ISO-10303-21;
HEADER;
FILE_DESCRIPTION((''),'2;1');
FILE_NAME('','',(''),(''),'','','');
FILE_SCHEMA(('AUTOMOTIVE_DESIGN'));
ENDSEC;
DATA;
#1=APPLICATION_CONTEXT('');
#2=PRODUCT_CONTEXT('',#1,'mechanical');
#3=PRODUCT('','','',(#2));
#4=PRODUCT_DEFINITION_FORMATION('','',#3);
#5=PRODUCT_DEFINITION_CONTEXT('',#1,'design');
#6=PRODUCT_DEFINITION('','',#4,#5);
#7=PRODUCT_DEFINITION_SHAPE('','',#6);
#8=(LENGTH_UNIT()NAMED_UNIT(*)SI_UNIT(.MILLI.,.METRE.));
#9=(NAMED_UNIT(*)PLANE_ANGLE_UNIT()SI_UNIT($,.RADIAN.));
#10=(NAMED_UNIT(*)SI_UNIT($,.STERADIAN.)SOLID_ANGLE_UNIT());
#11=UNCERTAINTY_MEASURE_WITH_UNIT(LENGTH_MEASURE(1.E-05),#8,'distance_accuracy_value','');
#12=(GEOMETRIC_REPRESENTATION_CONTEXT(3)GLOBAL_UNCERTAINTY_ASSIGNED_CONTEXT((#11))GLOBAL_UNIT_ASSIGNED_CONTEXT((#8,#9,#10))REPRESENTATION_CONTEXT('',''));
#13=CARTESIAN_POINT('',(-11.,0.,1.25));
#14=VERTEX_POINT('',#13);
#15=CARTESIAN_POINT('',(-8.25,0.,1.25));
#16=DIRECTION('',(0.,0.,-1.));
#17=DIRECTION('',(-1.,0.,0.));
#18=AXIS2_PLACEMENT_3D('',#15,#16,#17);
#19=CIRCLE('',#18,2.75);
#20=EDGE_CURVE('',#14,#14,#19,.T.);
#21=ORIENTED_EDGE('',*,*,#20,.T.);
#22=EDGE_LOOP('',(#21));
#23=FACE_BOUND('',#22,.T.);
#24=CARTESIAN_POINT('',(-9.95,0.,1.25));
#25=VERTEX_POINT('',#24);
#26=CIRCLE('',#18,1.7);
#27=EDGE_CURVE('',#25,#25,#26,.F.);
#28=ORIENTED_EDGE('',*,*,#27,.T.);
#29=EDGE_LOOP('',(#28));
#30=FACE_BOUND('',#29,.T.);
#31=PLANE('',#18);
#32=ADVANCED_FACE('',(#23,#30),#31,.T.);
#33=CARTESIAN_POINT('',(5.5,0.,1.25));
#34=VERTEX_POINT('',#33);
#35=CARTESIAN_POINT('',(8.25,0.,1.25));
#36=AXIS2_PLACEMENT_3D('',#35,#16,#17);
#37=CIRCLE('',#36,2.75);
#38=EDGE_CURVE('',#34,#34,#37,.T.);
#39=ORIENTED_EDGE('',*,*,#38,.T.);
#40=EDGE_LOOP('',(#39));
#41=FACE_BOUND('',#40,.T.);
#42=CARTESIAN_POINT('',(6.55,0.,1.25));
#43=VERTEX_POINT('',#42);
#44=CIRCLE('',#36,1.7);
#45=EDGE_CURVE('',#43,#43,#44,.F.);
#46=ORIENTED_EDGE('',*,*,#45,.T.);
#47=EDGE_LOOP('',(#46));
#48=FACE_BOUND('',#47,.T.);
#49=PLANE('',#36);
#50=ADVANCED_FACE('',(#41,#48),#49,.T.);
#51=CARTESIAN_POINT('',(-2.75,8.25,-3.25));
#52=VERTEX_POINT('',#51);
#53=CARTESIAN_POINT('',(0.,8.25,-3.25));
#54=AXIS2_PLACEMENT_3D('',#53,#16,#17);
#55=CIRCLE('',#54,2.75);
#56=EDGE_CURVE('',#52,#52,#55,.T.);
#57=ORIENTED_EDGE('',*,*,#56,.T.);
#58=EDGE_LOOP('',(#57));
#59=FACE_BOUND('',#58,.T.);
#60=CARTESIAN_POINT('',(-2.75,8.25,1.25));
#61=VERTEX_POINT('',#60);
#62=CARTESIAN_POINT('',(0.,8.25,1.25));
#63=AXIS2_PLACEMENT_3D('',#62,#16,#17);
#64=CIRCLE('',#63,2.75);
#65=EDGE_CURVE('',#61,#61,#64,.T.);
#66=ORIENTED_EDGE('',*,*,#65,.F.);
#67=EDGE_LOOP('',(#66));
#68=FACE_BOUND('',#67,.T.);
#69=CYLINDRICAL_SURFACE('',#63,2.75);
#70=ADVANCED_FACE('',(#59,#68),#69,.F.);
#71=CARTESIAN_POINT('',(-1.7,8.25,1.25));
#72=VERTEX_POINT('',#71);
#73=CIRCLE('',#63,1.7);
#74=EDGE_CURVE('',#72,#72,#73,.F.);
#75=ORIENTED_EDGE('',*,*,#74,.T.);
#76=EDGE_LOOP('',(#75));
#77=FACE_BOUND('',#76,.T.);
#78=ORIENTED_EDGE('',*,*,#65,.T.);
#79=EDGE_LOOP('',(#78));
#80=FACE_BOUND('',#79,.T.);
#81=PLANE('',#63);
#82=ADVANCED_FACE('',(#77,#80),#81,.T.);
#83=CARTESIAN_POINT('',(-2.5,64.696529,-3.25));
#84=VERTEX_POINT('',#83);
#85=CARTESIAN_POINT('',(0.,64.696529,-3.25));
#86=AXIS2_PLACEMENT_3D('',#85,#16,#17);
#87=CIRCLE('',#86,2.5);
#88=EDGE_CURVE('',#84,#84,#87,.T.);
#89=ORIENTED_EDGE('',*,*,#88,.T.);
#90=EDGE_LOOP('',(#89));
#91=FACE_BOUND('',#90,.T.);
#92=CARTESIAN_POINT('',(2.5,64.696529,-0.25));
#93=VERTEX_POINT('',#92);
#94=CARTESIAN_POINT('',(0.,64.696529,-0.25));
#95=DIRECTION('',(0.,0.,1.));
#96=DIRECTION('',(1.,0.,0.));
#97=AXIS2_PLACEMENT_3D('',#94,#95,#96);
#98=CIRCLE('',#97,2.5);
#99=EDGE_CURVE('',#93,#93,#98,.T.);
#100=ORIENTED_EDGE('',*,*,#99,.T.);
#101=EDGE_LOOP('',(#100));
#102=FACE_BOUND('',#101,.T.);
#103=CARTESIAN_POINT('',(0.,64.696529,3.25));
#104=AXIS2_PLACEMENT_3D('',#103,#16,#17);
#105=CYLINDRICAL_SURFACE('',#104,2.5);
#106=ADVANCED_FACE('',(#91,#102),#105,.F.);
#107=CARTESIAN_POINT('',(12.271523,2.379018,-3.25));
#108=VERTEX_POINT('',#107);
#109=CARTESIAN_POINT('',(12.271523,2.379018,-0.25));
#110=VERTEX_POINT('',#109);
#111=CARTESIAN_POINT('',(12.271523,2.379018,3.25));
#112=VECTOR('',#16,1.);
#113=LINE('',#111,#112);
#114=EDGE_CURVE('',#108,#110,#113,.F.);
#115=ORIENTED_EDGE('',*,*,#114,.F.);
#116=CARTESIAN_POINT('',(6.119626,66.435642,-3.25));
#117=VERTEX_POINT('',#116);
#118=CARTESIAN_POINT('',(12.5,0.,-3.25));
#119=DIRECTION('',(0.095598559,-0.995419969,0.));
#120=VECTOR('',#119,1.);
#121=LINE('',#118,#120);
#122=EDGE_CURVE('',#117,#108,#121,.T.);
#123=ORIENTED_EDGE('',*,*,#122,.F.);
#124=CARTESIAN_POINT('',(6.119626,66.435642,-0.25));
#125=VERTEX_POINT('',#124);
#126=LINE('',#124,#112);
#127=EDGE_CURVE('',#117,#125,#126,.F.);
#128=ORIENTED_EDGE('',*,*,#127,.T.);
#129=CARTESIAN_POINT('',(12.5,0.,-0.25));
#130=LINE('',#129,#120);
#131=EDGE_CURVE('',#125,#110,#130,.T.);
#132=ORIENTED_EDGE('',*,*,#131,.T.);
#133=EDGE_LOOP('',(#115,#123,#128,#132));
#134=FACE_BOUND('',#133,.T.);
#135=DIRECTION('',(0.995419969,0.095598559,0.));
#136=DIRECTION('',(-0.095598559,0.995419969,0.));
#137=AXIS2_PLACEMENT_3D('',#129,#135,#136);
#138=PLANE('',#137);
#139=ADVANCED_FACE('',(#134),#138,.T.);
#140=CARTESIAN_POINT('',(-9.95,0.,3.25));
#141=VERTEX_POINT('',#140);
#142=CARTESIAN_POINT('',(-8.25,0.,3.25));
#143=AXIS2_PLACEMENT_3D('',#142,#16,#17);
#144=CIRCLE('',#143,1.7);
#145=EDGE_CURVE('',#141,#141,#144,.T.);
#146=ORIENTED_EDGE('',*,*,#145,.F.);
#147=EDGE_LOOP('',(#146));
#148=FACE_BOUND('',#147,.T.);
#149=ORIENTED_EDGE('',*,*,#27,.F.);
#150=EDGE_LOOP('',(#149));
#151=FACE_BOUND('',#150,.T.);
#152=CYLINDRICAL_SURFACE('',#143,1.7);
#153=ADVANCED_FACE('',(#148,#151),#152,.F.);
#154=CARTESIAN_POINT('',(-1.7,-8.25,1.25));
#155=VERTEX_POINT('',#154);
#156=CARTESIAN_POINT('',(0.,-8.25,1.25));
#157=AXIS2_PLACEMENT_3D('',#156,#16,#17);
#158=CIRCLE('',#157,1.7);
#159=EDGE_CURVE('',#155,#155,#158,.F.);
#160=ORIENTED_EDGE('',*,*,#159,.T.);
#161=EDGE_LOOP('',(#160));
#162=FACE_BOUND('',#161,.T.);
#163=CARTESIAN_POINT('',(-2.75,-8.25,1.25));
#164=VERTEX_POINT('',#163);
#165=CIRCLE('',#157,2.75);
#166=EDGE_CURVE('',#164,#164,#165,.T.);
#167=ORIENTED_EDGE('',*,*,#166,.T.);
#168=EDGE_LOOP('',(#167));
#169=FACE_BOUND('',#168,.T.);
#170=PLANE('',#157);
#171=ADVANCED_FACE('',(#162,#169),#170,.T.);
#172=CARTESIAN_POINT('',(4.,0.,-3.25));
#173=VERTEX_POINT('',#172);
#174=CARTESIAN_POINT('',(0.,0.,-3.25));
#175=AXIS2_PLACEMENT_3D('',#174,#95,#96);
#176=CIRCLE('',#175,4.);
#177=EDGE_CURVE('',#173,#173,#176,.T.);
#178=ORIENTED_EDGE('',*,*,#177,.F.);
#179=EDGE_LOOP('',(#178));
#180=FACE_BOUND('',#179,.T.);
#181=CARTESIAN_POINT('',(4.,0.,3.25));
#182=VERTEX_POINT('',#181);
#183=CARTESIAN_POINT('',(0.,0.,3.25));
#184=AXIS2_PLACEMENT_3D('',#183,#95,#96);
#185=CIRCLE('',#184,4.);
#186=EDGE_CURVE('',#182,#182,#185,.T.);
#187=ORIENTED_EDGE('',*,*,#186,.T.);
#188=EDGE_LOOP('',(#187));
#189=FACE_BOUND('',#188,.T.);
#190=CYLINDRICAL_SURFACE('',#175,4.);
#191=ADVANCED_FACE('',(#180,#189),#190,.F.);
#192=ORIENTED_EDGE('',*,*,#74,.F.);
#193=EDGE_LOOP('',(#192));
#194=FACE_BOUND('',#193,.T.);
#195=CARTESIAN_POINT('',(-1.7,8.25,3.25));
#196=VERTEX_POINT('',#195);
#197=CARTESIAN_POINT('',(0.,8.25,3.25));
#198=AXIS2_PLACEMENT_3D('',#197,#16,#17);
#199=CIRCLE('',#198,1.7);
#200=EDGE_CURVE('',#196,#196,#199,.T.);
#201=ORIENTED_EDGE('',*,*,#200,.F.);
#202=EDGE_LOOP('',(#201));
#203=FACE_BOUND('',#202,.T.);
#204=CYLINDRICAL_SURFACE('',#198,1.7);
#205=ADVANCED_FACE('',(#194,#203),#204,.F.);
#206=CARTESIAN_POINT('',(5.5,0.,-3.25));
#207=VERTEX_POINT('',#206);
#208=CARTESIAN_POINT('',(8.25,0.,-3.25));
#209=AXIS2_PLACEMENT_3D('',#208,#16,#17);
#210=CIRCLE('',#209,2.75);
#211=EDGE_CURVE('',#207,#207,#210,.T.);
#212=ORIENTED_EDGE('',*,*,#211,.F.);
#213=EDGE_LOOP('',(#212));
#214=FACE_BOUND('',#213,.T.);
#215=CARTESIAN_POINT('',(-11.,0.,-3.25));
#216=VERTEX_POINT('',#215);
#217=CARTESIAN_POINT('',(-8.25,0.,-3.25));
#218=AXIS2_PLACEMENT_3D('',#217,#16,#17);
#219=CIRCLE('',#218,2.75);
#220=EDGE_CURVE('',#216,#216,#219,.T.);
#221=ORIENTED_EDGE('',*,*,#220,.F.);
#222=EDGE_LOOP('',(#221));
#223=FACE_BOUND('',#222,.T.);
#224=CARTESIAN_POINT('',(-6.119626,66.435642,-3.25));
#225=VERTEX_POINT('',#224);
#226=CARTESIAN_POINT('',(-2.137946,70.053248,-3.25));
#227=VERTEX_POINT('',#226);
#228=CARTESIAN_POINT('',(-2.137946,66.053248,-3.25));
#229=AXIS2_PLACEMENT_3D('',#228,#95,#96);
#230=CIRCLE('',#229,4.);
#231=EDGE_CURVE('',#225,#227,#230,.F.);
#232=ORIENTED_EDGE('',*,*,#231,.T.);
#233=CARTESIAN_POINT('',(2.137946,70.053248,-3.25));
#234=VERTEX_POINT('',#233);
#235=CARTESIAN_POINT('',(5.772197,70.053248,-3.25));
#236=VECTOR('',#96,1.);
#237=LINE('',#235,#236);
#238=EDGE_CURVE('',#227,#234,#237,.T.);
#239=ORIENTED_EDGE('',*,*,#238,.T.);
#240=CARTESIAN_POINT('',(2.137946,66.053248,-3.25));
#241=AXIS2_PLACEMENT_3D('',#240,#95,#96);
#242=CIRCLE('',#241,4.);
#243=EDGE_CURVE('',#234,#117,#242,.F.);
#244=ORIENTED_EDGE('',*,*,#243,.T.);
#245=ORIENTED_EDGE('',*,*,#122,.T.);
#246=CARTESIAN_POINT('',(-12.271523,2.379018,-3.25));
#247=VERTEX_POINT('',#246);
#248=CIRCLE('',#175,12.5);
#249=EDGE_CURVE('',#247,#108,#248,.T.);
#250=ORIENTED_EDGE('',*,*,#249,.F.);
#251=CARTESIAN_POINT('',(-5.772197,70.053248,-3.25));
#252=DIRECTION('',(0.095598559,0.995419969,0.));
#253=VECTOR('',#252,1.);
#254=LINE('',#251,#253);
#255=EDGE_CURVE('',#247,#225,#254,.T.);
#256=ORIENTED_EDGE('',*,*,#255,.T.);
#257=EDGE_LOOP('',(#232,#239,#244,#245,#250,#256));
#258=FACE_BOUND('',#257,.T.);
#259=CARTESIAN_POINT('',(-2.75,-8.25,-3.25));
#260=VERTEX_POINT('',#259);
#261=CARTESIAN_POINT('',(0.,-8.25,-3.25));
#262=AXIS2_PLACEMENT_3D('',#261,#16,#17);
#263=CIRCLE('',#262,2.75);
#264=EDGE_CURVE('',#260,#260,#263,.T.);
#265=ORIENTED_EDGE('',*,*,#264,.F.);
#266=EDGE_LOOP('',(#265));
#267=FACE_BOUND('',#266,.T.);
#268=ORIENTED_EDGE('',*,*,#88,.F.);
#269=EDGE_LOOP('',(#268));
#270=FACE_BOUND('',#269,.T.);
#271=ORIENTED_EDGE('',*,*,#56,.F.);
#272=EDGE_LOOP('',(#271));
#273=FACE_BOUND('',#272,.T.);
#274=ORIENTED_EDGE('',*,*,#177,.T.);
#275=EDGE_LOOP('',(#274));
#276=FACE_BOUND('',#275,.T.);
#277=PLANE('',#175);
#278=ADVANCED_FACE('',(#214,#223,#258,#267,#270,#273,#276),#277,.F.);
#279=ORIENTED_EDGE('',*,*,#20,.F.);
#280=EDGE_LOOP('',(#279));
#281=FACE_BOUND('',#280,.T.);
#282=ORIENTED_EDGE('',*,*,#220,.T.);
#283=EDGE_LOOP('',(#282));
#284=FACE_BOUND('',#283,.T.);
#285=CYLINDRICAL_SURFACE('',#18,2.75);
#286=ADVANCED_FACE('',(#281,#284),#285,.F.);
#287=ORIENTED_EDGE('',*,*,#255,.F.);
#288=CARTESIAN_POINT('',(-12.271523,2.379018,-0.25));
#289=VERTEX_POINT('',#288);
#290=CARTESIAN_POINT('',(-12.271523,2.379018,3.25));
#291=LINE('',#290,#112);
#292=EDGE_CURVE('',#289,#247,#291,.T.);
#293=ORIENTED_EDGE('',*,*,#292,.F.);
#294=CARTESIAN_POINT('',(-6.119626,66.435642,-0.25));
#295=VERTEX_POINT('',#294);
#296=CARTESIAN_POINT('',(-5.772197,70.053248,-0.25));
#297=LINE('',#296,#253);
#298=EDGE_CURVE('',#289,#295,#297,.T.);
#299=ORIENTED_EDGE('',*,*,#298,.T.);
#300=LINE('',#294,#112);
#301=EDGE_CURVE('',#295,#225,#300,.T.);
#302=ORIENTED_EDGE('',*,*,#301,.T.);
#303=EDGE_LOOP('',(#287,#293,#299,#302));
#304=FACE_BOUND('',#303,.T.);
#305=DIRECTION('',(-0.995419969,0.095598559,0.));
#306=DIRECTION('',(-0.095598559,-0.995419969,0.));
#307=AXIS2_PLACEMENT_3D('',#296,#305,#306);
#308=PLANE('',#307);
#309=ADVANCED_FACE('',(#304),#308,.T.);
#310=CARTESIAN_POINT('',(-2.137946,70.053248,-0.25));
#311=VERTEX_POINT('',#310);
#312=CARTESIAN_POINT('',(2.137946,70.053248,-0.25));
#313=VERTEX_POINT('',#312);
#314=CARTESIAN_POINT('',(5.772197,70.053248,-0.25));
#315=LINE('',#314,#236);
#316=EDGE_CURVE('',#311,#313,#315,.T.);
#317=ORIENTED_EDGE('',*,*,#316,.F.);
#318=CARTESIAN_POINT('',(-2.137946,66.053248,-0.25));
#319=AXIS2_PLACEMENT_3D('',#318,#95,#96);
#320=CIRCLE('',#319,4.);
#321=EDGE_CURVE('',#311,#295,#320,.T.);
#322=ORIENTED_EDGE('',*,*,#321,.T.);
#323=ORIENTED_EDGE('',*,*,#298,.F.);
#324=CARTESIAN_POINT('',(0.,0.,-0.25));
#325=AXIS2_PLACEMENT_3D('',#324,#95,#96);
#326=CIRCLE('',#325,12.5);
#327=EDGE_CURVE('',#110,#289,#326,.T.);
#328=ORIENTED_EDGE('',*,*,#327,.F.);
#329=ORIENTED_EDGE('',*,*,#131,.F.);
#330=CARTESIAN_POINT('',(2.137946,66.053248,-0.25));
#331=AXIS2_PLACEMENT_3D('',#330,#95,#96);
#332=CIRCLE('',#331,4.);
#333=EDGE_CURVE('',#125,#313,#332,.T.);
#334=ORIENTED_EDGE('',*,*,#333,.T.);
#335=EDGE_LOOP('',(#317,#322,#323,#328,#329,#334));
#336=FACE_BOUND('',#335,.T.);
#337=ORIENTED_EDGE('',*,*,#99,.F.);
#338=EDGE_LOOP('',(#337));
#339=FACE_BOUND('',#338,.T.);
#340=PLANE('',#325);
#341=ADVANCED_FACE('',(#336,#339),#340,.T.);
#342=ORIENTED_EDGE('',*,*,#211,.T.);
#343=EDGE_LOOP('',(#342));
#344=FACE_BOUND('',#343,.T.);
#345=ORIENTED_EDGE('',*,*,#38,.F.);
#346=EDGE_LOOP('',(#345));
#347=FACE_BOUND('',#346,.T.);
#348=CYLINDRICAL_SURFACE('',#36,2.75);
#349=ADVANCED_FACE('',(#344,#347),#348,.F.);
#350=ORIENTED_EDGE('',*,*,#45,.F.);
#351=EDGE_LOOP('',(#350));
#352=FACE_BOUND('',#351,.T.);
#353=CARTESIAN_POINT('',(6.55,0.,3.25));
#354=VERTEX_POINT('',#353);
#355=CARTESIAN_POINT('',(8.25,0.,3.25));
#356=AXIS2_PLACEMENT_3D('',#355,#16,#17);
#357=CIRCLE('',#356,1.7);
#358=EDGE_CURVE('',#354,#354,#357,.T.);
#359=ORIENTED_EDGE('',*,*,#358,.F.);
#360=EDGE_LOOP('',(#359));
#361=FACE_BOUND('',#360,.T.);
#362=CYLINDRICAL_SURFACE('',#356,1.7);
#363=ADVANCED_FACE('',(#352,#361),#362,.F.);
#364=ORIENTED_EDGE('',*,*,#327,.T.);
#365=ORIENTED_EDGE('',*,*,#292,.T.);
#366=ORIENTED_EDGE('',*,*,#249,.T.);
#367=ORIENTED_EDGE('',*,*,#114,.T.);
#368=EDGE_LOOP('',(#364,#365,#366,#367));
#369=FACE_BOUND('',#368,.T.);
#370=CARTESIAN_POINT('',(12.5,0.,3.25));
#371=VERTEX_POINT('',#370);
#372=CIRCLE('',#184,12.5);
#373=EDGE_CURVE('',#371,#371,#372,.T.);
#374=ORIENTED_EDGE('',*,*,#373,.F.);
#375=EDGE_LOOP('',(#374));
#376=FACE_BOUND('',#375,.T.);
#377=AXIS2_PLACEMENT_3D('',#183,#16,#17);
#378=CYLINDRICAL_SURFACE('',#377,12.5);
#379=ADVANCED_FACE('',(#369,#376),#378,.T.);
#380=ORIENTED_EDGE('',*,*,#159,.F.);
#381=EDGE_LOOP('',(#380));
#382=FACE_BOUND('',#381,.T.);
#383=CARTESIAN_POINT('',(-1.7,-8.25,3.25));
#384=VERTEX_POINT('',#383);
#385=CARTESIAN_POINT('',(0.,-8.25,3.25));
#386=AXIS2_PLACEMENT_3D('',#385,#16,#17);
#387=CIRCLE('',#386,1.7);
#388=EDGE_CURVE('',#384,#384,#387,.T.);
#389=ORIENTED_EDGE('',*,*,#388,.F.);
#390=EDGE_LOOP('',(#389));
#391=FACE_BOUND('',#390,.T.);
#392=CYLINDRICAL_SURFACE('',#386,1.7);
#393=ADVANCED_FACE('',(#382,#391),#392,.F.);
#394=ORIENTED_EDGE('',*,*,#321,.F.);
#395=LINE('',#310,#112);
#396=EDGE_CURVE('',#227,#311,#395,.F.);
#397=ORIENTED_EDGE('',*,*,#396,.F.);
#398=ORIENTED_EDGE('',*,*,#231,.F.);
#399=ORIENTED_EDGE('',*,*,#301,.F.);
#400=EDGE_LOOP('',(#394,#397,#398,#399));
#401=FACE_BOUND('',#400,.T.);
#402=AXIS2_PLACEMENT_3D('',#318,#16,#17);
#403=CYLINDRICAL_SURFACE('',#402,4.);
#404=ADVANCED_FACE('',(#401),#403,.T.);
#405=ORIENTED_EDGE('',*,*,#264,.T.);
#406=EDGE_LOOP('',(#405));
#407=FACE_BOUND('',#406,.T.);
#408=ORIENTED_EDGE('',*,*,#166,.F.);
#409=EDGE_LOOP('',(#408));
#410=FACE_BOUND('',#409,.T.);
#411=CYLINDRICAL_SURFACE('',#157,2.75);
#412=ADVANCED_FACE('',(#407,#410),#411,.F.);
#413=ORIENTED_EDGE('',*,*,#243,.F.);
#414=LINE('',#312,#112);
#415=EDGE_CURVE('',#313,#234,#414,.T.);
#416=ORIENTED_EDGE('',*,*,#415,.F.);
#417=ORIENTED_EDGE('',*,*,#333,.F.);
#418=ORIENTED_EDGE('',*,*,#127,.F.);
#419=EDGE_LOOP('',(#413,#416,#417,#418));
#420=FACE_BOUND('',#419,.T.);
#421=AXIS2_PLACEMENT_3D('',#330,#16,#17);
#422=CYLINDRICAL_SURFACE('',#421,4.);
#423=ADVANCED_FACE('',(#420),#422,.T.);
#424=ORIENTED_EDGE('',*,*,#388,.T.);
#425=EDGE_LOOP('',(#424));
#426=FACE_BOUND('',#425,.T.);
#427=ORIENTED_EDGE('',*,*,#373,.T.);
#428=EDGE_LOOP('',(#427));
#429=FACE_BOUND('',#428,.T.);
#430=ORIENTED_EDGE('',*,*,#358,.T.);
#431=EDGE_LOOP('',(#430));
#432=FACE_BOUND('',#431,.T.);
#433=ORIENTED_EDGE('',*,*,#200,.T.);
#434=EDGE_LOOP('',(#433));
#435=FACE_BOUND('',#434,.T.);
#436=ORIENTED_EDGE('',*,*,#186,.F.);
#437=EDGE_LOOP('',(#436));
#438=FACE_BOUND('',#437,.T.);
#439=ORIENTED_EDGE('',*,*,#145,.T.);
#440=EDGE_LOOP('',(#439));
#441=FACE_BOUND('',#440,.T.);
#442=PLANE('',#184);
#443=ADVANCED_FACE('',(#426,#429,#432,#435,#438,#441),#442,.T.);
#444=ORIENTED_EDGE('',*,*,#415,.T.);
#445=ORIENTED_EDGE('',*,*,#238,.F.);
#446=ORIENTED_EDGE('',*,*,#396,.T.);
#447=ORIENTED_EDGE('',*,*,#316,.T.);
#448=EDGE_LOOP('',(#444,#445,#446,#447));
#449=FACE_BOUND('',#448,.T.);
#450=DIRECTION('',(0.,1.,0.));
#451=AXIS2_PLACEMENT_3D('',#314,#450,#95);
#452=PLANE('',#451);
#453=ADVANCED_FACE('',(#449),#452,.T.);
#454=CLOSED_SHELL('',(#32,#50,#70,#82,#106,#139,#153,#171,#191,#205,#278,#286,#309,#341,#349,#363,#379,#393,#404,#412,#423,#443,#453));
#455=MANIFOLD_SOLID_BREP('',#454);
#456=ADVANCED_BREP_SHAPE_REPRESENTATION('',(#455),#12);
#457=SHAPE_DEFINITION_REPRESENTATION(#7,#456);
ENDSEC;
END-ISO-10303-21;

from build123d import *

# Parameters (mm, degrees)
ESQUISSE2_R                  = 12.5
BOSS_EXTRU_1_DEPTH           = 3.25
ESQUISSE3_R                  = 1.2
ENL_V_MAT_EXTRU_1_DEPTH      = 4.25
BOSS_EXTRU_2_DEPTH           = 3
ESQUISSE10_R                 = 1.7
ENL_V_MAT_EXTRU_2_DEPTH      = 1
ENL_V_MAT_EXTRU_2_DEPTH_BACK = 7.5
ESQUISSE17_R                 = 4
ENL_V_MAT_EXTRU_8_DEPTH      = 7.5
CONG_1_R                     = 4
ESQUISSE21_R                 = 2.5
ENL_V_MAT_EXTRU_9_DEPTH      = 7.5
SKETCH2_R                    = 2.75
CUT_EXTRUDE2_DEPTH           = 4.5


with BuildPart() as part:
    # Esquisse2 → Boss.-Extru.1 (new body, symmetric)
    with BuildSketch(Plane.XY):
        Circle(ESQUISSE2_R)
    extrude(amount=BOSS_EXTRU_1_DEPTH, both=True)

    # Esquisse3 → Enlèv. mat.-Extru.1 (cut, through all)
    with BuildSketch(Plane.XY):
        with Locations((0, 8.25)):
            Circle(ESQUISSE3_R)
        with Locations((-8.25, 0)):
            Circle(ESQUISSE3_R)
        with Locations((0, -8.25)):
            Circle(ESQUISSE3_R)
        with Locations((8.25, 0)):
            Circle(ESQUISSE3_R)
    extrude(amount=ENL_V_MAT_EXTRU_1_DEPTH, mode=Mode.SUBTRACT)

    # Esquisse20 → Boss.-Extru.2 (add)
    with BuildSketch(Plane(origin=(0, 0, -3.25), x_dir=(-1, 0, 0), z_dir=(0, 0, -1))):
        Polygon((-12.5, 0), (-5.772196938, 70.05324764), (5.772196938, 70.05324764), (12.5, 0), align=None)
    extrude(amount=-BOSS_EXTRU_2_DEPTH)

    # Esquisse10 → Enlèv. mat.-Extru.2 (cut, two sides)
    with BuildSketch(Plane(origin=(0, 0, -3.25), x_dir=(-1, 0, 0), z_dir=(0, 0, -1))) as enl_v_mat_extru_2_sk:
        with Locations((-8.25, 0)):
            Circle(ESQUISSE10_R)
        with Locations((0, 8.25)):
            Circle(ESQUISSE10_R)
        with Locations((8.25, 0)):
            Circle(ESQUISSE10_R)
        with Locations((0, -8.25)):
            Circle(ESQUISSE10_R)
    extrude(amount=ENL_V_MAT_EXTRU_2_DEPTH, mode=Mode.SUBTRACT)
    extrude(enl_v_mat_extru_2_sk.sketch, amount=-ENL_V_MAT_EXTRU_2_DEPTH_BACK, mode=Mode.SUBTRACT)

    # Esquisse17 → Enlèv. mat.-Extru.8 (cut, through all)
    with BuildSketch(Plane.XY.offset(3.25)):
        Circle(ESQUISSE17_R)
    extrude(amount=-ENL_V_MAT_EXTRU_8_DEPTH, mode=Mode.SUBTRACT)

    # Congé1
    cong_1_edges = [part.edges().sort_by_distance(p)[0] for p in [
        (-5.772196938, 70.05324764, -1.75),
        (5.772196938, 70.05324764, -1.75),
    ]]
    fillet(cong_1_edges, radius=CONG_1_R)

    # Esquisse21 → Enlèv. mat.-Extru.9 (cut, through all)
    with BuildSketch(Plane(origin=(0, 0, -3.25), x_dir=(-1, 0, 0), z_dir=(0, 0, -1))):
        with Locations((0, 64.696529063)):
            Circle(ESQUISSE21_R)
    extrude(amount=-ENL_V_MAT_EXTRU_9_DEPTH, mode=Mode.SUBTRACT)

    # Sketch2 → Cut-Extrude2 (cut)
    with BuildSketch(Plane(origin=(0, 0, -3.25), x_dir=(-1, 0, 0), z_dir=(0, 0, -1))):
        with Locations((0, 8.25)):
            Circle(SKETCH2_R)
        with Locations((8.25, 0)):
            Circle(SKETCH2_R)
        with Locations((-8.25, 0)):
            Circle(SKETCH2_R)
        with Locations((0, -8.25)):
            Circle(SKETCH2_R)
    extrude(amount=-CUT_EXTRUDE2_DEPTH, mode=Mode.SUBTRACT)


solid = part.part
